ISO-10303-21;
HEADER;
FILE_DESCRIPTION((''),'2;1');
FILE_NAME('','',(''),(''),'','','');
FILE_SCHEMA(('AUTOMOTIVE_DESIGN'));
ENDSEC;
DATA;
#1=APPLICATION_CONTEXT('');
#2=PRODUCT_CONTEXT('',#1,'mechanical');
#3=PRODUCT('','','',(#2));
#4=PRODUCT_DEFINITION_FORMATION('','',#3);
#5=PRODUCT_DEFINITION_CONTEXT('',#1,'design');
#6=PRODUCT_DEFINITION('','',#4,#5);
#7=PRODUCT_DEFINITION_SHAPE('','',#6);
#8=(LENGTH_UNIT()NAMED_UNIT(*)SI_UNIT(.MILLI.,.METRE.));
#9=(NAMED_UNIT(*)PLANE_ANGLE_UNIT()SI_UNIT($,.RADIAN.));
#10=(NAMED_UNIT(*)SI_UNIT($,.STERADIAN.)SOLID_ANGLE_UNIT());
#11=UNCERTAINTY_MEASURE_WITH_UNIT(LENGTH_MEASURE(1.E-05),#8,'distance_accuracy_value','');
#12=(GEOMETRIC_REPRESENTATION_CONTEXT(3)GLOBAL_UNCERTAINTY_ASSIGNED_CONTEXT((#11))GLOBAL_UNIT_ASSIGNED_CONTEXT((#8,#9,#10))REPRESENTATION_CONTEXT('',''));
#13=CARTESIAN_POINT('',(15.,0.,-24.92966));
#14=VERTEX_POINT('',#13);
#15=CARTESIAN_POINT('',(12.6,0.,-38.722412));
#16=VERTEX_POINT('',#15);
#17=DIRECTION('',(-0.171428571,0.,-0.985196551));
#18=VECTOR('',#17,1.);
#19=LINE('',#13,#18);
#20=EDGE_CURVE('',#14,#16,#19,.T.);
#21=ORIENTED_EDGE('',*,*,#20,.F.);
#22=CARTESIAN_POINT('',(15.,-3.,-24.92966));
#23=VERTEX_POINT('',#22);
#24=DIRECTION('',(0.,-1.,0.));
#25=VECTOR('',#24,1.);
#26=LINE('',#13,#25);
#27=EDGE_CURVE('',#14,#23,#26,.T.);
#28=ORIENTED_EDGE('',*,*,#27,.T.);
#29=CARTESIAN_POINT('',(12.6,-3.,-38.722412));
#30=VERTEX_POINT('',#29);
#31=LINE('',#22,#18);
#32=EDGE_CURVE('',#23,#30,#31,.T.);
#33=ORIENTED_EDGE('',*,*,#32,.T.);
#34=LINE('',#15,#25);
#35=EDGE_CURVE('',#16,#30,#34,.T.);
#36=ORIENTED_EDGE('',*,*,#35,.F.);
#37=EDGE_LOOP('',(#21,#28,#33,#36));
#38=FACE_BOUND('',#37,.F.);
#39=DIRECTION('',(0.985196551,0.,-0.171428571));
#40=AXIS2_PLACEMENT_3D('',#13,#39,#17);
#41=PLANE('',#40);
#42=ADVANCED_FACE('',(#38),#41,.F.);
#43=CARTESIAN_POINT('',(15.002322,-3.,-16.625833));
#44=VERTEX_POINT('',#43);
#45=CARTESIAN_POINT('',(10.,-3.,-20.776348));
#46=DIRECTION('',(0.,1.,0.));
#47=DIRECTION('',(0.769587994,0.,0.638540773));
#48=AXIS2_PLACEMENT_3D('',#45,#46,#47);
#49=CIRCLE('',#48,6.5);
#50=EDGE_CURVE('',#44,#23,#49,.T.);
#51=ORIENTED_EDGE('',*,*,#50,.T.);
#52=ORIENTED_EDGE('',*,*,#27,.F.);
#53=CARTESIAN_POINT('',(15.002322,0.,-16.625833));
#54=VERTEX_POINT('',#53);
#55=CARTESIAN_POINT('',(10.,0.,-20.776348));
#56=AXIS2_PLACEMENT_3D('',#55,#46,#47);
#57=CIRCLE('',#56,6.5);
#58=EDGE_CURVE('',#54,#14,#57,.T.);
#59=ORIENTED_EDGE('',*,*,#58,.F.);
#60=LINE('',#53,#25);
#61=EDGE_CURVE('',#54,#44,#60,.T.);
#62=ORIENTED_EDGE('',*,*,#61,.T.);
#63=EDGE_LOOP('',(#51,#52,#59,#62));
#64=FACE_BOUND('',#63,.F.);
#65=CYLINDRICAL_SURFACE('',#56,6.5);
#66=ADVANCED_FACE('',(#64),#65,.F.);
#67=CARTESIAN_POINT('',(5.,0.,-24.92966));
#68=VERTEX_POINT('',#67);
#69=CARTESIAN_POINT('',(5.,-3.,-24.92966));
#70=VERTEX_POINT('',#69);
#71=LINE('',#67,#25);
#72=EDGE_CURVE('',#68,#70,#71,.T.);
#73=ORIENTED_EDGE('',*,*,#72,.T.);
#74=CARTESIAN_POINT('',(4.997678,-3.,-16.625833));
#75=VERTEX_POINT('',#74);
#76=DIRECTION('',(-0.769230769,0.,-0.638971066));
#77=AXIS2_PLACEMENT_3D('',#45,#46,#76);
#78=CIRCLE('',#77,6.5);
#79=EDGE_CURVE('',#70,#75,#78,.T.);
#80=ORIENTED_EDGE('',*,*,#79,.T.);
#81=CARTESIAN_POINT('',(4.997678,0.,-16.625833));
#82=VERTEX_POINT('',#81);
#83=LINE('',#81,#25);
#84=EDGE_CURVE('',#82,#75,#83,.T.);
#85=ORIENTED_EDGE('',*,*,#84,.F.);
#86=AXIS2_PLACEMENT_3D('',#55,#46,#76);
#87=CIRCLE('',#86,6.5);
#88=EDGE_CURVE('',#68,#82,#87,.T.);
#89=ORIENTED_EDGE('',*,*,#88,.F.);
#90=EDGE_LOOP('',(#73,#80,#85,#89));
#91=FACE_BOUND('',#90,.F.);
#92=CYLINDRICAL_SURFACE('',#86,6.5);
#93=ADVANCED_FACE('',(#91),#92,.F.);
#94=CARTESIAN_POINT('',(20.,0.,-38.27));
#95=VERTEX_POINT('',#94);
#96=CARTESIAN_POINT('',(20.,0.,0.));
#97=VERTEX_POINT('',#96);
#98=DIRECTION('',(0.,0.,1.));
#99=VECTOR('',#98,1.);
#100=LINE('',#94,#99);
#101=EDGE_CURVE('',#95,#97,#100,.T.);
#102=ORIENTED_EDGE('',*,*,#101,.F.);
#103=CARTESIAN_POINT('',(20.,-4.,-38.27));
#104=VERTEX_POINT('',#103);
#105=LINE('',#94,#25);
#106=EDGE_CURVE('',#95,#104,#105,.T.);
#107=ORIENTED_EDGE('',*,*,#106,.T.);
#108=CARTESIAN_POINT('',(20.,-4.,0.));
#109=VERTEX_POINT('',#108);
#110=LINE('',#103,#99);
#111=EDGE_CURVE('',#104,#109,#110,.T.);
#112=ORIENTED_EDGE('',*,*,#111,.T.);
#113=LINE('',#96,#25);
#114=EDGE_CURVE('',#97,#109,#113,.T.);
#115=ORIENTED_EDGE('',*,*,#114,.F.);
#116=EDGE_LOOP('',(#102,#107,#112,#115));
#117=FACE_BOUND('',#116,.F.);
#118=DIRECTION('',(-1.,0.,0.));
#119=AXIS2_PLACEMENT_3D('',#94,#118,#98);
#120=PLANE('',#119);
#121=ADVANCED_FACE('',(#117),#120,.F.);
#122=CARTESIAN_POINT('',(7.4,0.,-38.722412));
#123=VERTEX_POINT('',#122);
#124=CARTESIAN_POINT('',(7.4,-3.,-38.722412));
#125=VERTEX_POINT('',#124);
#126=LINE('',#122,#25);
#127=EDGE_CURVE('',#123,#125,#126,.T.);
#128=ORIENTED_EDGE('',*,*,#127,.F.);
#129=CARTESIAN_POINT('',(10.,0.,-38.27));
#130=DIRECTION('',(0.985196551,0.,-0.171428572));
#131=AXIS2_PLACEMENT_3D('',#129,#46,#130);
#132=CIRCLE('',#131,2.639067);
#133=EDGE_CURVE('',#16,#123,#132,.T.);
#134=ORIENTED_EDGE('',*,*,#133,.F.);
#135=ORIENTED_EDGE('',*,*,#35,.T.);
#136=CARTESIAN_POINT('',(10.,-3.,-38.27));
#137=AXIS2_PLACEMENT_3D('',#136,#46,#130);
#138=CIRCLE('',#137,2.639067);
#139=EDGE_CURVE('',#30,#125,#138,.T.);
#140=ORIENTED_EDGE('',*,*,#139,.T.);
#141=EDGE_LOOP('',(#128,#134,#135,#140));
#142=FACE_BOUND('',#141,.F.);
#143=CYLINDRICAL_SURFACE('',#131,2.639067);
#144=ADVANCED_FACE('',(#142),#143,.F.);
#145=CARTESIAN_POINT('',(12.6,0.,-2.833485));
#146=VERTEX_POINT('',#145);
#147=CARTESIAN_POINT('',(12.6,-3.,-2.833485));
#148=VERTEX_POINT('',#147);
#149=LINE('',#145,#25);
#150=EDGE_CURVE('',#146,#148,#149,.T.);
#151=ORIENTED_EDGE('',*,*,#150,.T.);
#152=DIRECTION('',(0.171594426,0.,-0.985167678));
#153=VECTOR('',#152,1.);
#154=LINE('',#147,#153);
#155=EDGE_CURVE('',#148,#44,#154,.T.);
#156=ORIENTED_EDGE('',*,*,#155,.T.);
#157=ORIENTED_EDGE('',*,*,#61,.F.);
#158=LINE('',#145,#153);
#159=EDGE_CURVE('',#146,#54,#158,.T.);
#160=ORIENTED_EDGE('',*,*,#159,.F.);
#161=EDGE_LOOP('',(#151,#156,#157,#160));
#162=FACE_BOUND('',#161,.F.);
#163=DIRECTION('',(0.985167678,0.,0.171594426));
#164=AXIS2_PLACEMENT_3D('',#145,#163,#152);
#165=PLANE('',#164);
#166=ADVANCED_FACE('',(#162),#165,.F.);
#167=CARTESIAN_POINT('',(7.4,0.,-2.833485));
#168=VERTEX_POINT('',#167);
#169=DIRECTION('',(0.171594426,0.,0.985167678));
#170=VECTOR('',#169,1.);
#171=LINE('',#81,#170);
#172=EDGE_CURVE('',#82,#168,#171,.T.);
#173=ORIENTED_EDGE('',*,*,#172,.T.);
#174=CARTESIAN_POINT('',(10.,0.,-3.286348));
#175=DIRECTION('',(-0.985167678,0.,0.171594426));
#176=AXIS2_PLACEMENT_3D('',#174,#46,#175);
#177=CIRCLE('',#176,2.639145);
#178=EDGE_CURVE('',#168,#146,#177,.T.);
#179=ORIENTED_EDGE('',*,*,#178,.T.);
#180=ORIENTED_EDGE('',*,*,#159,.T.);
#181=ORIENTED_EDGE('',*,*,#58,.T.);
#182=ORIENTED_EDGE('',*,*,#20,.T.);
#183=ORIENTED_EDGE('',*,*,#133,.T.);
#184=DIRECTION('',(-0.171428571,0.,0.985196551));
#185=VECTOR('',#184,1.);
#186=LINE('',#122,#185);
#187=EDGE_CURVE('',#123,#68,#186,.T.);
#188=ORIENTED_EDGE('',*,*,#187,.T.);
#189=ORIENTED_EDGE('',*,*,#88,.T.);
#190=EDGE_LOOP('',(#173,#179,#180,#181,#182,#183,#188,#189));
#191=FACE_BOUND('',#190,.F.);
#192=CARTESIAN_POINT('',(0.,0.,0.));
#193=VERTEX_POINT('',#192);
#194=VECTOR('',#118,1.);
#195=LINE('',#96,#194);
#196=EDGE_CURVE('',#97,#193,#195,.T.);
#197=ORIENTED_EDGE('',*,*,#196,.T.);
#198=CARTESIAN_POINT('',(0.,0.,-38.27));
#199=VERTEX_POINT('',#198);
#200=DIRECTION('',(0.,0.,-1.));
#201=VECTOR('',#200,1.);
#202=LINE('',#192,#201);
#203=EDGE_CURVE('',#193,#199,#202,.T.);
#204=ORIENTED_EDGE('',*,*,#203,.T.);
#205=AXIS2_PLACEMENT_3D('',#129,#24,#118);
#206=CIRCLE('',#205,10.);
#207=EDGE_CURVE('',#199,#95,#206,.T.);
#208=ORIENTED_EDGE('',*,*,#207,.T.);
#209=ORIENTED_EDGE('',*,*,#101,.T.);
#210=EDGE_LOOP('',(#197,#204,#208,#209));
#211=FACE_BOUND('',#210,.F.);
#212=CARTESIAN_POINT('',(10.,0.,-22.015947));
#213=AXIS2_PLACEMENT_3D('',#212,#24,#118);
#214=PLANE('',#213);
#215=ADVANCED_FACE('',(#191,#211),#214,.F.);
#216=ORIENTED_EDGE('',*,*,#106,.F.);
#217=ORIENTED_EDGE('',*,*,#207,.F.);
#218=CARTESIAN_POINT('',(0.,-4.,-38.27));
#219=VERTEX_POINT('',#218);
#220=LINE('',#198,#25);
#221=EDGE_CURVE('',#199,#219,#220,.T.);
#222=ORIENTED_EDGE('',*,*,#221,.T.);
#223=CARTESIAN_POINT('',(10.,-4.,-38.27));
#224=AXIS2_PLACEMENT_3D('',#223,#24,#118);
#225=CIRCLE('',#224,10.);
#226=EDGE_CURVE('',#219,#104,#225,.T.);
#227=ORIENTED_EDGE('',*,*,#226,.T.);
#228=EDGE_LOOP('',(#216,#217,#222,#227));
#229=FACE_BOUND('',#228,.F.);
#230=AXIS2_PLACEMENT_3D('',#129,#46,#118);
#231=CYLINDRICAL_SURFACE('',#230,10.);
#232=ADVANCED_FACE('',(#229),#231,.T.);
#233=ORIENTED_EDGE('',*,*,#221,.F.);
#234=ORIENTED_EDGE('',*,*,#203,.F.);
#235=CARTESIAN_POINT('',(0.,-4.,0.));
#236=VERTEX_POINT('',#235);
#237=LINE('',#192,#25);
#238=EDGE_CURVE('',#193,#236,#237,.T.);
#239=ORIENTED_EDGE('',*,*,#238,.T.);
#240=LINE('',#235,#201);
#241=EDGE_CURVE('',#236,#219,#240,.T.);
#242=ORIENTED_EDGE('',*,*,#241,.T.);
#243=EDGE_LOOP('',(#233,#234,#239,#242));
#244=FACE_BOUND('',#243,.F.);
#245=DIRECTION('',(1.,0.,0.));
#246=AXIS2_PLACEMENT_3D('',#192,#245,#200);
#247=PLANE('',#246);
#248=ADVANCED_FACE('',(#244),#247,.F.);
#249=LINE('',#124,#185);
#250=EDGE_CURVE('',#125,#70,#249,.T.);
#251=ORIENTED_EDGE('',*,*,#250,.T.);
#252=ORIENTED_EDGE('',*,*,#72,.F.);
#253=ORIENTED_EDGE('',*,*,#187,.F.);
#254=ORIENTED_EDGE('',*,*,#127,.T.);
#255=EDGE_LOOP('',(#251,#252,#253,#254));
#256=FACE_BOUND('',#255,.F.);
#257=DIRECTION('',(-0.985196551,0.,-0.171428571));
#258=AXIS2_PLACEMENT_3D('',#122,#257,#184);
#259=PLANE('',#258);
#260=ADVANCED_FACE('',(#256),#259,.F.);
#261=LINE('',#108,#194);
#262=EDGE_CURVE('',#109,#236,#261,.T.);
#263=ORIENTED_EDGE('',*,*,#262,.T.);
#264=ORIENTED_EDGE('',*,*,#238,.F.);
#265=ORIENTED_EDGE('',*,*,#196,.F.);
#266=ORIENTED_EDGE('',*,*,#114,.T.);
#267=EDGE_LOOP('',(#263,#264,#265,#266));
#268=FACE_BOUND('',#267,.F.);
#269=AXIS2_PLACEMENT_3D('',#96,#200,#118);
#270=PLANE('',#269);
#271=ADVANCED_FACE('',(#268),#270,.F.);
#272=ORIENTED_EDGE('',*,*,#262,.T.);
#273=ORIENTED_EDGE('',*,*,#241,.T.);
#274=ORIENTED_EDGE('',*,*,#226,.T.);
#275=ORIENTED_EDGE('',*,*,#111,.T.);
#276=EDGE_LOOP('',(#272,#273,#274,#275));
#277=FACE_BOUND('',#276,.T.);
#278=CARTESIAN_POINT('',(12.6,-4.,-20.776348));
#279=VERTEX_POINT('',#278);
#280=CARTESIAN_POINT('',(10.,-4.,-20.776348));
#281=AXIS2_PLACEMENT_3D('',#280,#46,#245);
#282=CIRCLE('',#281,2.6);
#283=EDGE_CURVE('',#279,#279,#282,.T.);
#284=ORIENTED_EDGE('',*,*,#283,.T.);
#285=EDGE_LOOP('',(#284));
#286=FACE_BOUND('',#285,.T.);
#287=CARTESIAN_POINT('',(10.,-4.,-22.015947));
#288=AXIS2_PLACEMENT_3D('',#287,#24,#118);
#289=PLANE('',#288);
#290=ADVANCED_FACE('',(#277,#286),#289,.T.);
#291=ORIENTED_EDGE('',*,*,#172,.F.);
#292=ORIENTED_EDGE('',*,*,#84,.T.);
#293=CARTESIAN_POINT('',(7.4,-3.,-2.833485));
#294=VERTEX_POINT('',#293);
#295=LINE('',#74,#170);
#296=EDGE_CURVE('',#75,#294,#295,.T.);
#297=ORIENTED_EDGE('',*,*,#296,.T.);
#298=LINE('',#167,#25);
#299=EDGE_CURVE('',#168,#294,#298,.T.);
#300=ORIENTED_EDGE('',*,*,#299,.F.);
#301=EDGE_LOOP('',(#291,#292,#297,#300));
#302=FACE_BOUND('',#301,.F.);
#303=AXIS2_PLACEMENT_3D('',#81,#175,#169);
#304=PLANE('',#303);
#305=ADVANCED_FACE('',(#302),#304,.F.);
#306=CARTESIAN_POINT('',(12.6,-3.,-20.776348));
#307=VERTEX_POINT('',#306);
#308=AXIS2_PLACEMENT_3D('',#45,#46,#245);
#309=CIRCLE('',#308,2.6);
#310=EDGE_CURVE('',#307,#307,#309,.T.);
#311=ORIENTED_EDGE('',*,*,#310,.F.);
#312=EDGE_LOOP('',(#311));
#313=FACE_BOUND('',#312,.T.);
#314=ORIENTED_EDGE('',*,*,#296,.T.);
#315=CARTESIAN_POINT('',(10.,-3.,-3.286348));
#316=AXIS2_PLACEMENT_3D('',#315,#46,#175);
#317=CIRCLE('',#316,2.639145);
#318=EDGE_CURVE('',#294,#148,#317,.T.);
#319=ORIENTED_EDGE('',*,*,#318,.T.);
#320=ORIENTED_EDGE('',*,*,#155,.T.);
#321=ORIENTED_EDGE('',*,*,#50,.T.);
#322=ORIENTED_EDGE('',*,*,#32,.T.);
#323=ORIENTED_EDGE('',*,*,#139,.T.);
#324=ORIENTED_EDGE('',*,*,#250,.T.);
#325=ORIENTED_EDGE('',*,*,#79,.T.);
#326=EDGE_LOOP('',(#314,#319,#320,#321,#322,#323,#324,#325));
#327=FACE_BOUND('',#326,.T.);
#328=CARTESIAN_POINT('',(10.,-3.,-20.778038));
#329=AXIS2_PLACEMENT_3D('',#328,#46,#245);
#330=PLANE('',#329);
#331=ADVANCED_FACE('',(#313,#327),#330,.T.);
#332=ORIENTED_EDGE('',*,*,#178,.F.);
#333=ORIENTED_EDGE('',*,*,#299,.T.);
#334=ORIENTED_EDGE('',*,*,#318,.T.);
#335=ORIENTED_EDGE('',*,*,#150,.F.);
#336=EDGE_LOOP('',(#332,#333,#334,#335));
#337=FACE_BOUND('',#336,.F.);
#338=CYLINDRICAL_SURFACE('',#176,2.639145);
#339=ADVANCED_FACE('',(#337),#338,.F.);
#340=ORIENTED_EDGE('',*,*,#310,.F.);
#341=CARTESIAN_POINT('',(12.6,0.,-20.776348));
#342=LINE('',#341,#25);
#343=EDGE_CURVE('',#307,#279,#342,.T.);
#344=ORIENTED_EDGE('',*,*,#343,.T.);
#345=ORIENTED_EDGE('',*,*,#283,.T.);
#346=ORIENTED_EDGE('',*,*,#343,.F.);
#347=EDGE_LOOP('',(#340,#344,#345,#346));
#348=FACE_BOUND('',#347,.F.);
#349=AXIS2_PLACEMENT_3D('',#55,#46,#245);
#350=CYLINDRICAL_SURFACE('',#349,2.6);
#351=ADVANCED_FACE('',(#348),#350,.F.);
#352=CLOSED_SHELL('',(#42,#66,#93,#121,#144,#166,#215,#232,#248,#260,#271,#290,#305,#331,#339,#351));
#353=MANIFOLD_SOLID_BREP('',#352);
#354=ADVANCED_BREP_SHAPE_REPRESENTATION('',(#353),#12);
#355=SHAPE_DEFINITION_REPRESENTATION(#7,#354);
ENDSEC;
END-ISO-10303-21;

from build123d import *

# Parameters (mm, degrees)
EXTRUDE_6_DEPTH      = 4
CUT_EXTRUDE_12_DEPTH = 3
SKETCH_3_R           = 2.6
CUT_EXTRUDE_13_DEPTH = 4


with BuildPart() as part:
    # 草圖1 → 填料-伸長6 (new body)
    with BuildSketch(Plane(origin=(0, 0, 0), x_dir=(1, 0, 0), z_dir=(0, 1, 0))):
        with BuildLine():
            Line((0, 0), (0, 38.27))
            ThreePointArc((0, 38.27), (10, 48.27), (20, 38.27))
            Line((20, 38.27), (20, 0))
            Line((20, 0), (0, 0))
        make_face()
    extrude(amount=-EXTRUDE_6_DEPTH)

    # 草圖2 → 除料-伸長12 (cut)
    with BuildSketch(Plane(origin=(0, 0, 0), x_dir=(1, 0, 0), z_dir=(0, 1, 0))):
        with BuildLine():
            Line((7.4, 38.722411537), (5, 24.929659817))
            ThreePointArc((5, 24.929659817), (3.500000254, 20.778165453), (4.997678036, 16.625832861))
            Line((4.997678036, 16.625832861), (7.4, 2.833485375))
            ThreePointArc((7.4, 2.833485375), (10, 0.647203241), (12.6, 2.833485375))
            Line((12.6, 2.833485375), (15.002321964, 16.625832861))
            ThreePointArc((15.002321964, 16.625832861), (16.499999746, 20.778165453), (15, 24.929659817))
            Line((15, 24.929659817), (12.6, 38.722411537))
            ThreePointArc((12.6, 38.722411537), (10, 40.909067297), (7.4, 38.722411537))
        make_face()
    extrude(amount=-CUT_EXTRUDE_12_DEPTH, mode=Mode.SUBTRACT)

    # 草圖3 → 除料-伸長13 (cut)
    with BuildSketch(Plane(origin=(0, 0, 0), x_dir=(1, 0, 0), z_dir=(0, 1, 0))):
        with Locations((10, 20.776347886)):
            Circle(SKETCH_3_R)
    extrude(amount=-CUT_EXTRUDE_13_DEPTH, mode=Mode.SUBTRACT)


solid = part.part
